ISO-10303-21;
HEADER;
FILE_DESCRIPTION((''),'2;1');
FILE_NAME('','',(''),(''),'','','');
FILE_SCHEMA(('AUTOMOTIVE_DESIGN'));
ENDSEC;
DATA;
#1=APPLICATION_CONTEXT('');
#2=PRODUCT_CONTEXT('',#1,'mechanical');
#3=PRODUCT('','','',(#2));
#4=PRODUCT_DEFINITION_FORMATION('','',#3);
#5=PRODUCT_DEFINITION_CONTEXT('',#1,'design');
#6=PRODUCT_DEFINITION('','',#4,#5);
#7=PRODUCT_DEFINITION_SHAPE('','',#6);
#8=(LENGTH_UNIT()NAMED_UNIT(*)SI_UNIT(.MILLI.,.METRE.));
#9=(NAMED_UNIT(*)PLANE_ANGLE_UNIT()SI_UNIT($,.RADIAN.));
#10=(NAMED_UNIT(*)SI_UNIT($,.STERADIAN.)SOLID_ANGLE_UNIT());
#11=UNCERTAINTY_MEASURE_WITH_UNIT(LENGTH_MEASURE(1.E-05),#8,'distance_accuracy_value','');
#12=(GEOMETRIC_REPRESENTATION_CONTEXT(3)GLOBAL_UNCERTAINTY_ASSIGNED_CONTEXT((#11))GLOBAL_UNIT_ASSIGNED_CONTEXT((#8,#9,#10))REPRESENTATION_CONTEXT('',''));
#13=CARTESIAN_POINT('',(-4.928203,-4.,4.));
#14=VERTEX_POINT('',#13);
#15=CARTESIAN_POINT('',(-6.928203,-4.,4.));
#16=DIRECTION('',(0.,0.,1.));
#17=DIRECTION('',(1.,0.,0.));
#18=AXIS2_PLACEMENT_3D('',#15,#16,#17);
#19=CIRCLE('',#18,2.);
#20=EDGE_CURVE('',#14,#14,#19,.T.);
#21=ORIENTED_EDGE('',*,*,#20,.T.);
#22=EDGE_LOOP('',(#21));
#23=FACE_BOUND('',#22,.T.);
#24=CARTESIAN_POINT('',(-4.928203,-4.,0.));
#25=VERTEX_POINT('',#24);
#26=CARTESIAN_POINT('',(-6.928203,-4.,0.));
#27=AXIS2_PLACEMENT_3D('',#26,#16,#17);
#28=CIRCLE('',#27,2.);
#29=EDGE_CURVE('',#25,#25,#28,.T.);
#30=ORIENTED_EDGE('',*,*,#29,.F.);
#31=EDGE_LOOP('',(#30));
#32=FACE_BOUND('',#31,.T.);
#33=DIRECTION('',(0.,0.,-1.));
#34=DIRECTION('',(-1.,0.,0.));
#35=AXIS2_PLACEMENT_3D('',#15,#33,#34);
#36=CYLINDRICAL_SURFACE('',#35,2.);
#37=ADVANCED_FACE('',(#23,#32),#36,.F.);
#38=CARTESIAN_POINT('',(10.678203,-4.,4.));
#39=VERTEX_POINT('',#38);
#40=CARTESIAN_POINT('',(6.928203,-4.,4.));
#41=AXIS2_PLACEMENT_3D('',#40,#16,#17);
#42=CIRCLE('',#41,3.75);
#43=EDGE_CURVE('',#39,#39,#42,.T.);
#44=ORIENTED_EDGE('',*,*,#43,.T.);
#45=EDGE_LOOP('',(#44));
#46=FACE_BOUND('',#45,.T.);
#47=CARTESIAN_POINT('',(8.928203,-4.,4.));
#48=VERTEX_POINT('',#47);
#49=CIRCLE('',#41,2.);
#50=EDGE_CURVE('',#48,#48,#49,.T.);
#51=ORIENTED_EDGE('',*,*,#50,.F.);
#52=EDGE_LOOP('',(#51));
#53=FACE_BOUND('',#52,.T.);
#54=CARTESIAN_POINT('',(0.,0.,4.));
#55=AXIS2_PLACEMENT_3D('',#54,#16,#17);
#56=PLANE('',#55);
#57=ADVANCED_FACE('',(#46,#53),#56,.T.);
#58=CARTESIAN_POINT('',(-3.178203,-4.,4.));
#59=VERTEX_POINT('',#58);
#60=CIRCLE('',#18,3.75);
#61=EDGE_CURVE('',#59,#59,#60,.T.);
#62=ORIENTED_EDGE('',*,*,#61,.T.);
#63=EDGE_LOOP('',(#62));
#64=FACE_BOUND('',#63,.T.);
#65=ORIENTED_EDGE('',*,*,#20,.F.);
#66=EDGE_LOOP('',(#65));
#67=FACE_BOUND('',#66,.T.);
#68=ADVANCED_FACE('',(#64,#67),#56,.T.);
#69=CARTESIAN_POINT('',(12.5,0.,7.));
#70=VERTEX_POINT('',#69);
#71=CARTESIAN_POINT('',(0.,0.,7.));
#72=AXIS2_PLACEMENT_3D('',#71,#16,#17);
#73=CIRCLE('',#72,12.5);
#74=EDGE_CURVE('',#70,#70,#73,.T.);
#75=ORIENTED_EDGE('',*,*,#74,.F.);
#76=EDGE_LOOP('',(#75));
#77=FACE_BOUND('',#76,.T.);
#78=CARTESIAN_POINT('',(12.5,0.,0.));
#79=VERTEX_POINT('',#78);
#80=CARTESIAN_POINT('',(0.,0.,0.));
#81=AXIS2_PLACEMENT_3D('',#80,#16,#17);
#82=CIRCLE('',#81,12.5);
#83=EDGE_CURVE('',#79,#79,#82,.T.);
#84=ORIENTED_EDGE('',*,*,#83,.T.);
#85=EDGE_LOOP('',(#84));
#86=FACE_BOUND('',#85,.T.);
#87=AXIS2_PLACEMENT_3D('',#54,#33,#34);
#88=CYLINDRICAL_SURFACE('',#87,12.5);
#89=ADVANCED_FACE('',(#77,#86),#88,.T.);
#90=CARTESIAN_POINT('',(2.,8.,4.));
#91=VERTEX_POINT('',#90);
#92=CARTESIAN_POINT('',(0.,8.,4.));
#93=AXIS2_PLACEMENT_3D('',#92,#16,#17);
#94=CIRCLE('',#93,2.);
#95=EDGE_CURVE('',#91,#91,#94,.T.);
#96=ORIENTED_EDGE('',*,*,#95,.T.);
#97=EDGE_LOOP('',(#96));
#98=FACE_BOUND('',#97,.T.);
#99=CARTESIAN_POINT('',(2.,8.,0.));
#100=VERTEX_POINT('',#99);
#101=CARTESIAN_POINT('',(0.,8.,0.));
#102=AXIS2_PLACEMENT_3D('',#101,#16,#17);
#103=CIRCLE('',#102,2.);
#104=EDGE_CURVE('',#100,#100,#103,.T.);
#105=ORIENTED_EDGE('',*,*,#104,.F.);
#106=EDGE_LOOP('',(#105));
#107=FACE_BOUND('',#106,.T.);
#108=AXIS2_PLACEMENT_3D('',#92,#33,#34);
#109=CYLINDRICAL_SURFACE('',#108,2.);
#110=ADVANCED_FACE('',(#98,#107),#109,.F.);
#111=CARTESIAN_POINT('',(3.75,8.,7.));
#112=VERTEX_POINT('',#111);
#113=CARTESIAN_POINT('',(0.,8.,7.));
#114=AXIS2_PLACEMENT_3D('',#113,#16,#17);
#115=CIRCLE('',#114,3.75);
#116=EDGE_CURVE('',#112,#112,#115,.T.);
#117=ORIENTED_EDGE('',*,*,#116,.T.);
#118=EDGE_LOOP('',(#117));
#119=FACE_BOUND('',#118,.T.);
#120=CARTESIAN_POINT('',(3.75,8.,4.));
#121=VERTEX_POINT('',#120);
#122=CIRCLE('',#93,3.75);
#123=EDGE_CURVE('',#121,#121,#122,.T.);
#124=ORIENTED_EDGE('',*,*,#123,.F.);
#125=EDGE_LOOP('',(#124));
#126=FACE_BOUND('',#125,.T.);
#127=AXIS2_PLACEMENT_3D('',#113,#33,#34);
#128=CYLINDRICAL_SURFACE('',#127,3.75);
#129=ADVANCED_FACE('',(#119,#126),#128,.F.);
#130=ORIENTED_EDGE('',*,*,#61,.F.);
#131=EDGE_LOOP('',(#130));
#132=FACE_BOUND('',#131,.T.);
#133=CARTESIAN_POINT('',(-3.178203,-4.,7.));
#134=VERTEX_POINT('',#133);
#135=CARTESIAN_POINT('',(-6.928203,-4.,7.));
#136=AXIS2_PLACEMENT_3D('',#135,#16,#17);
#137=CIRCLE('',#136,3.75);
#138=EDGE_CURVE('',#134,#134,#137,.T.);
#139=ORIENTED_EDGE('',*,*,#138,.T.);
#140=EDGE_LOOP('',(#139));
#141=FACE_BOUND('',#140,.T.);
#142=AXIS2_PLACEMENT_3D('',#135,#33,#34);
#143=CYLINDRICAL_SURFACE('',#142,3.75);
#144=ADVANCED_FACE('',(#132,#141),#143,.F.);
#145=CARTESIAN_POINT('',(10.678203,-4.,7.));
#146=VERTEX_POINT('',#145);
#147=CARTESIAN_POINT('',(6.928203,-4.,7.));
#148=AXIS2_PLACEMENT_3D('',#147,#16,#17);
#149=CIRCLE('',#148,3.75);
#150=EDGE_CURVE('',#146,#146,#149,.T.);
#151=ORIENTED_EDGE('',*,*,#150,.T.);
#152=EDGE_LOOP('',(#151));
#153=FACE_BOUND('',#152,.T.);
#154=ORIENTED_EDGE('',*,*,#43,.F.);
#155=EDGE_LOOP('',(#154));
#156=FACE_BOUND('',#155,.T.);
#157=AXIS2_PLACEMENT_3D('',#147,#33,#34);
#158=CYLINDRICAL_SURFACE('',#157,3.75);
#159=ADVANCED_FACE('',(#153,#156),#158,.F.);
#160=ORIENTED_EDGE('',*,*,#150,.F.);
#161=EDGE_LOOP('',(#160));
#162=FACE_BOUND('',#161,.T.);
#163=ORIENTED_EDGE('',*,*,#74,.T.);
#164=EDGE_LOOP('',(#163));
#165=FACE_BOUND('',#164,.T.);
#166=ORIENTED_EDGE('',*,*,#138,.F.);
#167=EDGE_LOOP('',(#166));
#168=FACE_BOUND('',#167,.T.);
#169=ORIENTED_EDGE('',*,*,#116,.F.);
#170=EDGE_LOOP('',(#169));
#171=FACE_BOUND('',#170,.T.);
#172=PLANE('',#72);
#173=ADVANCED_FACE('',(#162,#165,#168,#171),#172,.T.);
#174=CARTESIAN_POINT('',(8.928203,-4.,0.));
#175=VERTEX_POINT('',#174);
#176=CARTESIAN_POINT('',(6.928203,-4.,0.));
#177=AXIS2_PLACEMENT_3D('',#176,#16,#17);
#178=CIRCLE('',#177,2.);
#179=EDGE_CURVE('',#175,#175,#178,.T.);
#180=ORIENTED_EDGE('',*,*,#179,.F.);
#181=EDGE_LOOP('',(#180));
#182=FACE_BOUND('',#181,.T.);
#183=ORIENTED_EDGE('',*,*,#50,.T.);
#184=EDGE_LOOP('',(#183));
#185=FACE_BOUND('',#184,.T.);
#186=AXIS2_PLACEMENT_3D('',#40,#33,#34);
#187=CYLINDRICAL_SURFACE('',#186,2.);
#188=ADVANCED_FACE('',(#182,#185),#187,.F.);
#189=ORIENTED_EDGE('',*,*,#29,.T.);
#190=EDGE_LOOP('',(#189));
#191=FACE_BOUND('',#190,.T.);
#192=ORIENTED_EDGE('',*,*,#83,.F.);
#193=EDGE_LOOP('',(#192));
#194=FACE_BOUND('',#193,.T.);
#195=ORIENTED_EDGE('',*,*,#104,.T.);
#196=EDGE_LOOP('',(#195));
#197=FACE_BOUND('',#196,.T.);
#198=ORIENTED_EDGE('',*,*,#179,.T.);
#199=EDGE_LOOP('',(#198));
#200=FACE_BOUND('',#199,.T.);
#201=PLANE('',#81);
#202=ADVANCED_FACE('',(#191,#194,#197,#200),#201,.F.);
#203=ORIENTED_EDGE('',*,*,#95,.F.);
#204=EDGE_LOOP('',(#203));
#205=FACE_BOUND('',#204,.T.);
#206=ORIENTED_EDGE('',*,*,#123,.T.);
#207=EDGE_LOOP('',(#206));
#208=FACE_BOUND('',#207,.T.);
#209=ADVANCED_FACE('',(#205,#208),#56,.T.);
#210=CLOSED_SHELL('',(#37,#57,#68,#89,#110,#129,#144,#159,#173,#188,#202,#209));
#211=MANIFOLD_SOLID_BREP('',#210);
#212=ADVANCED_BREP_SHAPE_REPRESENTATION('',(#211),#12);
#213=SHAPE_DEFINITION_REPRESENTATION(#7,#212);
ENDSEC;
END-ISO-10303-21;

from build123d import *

# Parameters (mm, degrees)
SKETCH_1_R      = 12.5
SKETCH_1_R_2    = 2
EXTRUDE_1_DEPTH = 4
SKETCH_2_R      = 12.5
SKETCH_2_R_2    = 3.75
EXTRUDE_2_DEPTH = 3


with BuildPart() as part:
    # 草图1 → 凸台-拉伸1 (new body)
    with BuildSketch(Plane.XY):
        Circle(SKETCH_1_R)
        with Locations((0, 8)):
            Circle(SKETCH_1_R_2, mode=Mode.SUBTRACT)
        with Locations((6.92820323, -4)):
            Circle(SKETCH_1_R_2, mode=Mode.SUBTRACT)
        with Locations((-6.92820323, -4)):
            Circle(SKETCH_1_R_2, mode=Mode.SUBTRACT)
    extrude(amount=EXTRUDE_1_DEPTH)

    # 草图2 → 凸台-拉伸2 (add)
    with BuildSketch(Plane.XY.offset(4)):
        Circle(SKETCH_2_R)
        with Locations((0, 8)):
            Circle(SKETCH_2_R_2, mode=Mode.SUBTRACT)
        with Locations((6.92820323, -4)):
            Circle(SKETCH_2_R_2, mode=Mode.SUBTRACT)
        with Locations((-6.92820323, -4)):
            Circle(SKETCH_2_R_2, mode=Mode.SUBTRACT)
    extrude(amount=EXTRUDE_2_DEPTH)


solid = part.part
